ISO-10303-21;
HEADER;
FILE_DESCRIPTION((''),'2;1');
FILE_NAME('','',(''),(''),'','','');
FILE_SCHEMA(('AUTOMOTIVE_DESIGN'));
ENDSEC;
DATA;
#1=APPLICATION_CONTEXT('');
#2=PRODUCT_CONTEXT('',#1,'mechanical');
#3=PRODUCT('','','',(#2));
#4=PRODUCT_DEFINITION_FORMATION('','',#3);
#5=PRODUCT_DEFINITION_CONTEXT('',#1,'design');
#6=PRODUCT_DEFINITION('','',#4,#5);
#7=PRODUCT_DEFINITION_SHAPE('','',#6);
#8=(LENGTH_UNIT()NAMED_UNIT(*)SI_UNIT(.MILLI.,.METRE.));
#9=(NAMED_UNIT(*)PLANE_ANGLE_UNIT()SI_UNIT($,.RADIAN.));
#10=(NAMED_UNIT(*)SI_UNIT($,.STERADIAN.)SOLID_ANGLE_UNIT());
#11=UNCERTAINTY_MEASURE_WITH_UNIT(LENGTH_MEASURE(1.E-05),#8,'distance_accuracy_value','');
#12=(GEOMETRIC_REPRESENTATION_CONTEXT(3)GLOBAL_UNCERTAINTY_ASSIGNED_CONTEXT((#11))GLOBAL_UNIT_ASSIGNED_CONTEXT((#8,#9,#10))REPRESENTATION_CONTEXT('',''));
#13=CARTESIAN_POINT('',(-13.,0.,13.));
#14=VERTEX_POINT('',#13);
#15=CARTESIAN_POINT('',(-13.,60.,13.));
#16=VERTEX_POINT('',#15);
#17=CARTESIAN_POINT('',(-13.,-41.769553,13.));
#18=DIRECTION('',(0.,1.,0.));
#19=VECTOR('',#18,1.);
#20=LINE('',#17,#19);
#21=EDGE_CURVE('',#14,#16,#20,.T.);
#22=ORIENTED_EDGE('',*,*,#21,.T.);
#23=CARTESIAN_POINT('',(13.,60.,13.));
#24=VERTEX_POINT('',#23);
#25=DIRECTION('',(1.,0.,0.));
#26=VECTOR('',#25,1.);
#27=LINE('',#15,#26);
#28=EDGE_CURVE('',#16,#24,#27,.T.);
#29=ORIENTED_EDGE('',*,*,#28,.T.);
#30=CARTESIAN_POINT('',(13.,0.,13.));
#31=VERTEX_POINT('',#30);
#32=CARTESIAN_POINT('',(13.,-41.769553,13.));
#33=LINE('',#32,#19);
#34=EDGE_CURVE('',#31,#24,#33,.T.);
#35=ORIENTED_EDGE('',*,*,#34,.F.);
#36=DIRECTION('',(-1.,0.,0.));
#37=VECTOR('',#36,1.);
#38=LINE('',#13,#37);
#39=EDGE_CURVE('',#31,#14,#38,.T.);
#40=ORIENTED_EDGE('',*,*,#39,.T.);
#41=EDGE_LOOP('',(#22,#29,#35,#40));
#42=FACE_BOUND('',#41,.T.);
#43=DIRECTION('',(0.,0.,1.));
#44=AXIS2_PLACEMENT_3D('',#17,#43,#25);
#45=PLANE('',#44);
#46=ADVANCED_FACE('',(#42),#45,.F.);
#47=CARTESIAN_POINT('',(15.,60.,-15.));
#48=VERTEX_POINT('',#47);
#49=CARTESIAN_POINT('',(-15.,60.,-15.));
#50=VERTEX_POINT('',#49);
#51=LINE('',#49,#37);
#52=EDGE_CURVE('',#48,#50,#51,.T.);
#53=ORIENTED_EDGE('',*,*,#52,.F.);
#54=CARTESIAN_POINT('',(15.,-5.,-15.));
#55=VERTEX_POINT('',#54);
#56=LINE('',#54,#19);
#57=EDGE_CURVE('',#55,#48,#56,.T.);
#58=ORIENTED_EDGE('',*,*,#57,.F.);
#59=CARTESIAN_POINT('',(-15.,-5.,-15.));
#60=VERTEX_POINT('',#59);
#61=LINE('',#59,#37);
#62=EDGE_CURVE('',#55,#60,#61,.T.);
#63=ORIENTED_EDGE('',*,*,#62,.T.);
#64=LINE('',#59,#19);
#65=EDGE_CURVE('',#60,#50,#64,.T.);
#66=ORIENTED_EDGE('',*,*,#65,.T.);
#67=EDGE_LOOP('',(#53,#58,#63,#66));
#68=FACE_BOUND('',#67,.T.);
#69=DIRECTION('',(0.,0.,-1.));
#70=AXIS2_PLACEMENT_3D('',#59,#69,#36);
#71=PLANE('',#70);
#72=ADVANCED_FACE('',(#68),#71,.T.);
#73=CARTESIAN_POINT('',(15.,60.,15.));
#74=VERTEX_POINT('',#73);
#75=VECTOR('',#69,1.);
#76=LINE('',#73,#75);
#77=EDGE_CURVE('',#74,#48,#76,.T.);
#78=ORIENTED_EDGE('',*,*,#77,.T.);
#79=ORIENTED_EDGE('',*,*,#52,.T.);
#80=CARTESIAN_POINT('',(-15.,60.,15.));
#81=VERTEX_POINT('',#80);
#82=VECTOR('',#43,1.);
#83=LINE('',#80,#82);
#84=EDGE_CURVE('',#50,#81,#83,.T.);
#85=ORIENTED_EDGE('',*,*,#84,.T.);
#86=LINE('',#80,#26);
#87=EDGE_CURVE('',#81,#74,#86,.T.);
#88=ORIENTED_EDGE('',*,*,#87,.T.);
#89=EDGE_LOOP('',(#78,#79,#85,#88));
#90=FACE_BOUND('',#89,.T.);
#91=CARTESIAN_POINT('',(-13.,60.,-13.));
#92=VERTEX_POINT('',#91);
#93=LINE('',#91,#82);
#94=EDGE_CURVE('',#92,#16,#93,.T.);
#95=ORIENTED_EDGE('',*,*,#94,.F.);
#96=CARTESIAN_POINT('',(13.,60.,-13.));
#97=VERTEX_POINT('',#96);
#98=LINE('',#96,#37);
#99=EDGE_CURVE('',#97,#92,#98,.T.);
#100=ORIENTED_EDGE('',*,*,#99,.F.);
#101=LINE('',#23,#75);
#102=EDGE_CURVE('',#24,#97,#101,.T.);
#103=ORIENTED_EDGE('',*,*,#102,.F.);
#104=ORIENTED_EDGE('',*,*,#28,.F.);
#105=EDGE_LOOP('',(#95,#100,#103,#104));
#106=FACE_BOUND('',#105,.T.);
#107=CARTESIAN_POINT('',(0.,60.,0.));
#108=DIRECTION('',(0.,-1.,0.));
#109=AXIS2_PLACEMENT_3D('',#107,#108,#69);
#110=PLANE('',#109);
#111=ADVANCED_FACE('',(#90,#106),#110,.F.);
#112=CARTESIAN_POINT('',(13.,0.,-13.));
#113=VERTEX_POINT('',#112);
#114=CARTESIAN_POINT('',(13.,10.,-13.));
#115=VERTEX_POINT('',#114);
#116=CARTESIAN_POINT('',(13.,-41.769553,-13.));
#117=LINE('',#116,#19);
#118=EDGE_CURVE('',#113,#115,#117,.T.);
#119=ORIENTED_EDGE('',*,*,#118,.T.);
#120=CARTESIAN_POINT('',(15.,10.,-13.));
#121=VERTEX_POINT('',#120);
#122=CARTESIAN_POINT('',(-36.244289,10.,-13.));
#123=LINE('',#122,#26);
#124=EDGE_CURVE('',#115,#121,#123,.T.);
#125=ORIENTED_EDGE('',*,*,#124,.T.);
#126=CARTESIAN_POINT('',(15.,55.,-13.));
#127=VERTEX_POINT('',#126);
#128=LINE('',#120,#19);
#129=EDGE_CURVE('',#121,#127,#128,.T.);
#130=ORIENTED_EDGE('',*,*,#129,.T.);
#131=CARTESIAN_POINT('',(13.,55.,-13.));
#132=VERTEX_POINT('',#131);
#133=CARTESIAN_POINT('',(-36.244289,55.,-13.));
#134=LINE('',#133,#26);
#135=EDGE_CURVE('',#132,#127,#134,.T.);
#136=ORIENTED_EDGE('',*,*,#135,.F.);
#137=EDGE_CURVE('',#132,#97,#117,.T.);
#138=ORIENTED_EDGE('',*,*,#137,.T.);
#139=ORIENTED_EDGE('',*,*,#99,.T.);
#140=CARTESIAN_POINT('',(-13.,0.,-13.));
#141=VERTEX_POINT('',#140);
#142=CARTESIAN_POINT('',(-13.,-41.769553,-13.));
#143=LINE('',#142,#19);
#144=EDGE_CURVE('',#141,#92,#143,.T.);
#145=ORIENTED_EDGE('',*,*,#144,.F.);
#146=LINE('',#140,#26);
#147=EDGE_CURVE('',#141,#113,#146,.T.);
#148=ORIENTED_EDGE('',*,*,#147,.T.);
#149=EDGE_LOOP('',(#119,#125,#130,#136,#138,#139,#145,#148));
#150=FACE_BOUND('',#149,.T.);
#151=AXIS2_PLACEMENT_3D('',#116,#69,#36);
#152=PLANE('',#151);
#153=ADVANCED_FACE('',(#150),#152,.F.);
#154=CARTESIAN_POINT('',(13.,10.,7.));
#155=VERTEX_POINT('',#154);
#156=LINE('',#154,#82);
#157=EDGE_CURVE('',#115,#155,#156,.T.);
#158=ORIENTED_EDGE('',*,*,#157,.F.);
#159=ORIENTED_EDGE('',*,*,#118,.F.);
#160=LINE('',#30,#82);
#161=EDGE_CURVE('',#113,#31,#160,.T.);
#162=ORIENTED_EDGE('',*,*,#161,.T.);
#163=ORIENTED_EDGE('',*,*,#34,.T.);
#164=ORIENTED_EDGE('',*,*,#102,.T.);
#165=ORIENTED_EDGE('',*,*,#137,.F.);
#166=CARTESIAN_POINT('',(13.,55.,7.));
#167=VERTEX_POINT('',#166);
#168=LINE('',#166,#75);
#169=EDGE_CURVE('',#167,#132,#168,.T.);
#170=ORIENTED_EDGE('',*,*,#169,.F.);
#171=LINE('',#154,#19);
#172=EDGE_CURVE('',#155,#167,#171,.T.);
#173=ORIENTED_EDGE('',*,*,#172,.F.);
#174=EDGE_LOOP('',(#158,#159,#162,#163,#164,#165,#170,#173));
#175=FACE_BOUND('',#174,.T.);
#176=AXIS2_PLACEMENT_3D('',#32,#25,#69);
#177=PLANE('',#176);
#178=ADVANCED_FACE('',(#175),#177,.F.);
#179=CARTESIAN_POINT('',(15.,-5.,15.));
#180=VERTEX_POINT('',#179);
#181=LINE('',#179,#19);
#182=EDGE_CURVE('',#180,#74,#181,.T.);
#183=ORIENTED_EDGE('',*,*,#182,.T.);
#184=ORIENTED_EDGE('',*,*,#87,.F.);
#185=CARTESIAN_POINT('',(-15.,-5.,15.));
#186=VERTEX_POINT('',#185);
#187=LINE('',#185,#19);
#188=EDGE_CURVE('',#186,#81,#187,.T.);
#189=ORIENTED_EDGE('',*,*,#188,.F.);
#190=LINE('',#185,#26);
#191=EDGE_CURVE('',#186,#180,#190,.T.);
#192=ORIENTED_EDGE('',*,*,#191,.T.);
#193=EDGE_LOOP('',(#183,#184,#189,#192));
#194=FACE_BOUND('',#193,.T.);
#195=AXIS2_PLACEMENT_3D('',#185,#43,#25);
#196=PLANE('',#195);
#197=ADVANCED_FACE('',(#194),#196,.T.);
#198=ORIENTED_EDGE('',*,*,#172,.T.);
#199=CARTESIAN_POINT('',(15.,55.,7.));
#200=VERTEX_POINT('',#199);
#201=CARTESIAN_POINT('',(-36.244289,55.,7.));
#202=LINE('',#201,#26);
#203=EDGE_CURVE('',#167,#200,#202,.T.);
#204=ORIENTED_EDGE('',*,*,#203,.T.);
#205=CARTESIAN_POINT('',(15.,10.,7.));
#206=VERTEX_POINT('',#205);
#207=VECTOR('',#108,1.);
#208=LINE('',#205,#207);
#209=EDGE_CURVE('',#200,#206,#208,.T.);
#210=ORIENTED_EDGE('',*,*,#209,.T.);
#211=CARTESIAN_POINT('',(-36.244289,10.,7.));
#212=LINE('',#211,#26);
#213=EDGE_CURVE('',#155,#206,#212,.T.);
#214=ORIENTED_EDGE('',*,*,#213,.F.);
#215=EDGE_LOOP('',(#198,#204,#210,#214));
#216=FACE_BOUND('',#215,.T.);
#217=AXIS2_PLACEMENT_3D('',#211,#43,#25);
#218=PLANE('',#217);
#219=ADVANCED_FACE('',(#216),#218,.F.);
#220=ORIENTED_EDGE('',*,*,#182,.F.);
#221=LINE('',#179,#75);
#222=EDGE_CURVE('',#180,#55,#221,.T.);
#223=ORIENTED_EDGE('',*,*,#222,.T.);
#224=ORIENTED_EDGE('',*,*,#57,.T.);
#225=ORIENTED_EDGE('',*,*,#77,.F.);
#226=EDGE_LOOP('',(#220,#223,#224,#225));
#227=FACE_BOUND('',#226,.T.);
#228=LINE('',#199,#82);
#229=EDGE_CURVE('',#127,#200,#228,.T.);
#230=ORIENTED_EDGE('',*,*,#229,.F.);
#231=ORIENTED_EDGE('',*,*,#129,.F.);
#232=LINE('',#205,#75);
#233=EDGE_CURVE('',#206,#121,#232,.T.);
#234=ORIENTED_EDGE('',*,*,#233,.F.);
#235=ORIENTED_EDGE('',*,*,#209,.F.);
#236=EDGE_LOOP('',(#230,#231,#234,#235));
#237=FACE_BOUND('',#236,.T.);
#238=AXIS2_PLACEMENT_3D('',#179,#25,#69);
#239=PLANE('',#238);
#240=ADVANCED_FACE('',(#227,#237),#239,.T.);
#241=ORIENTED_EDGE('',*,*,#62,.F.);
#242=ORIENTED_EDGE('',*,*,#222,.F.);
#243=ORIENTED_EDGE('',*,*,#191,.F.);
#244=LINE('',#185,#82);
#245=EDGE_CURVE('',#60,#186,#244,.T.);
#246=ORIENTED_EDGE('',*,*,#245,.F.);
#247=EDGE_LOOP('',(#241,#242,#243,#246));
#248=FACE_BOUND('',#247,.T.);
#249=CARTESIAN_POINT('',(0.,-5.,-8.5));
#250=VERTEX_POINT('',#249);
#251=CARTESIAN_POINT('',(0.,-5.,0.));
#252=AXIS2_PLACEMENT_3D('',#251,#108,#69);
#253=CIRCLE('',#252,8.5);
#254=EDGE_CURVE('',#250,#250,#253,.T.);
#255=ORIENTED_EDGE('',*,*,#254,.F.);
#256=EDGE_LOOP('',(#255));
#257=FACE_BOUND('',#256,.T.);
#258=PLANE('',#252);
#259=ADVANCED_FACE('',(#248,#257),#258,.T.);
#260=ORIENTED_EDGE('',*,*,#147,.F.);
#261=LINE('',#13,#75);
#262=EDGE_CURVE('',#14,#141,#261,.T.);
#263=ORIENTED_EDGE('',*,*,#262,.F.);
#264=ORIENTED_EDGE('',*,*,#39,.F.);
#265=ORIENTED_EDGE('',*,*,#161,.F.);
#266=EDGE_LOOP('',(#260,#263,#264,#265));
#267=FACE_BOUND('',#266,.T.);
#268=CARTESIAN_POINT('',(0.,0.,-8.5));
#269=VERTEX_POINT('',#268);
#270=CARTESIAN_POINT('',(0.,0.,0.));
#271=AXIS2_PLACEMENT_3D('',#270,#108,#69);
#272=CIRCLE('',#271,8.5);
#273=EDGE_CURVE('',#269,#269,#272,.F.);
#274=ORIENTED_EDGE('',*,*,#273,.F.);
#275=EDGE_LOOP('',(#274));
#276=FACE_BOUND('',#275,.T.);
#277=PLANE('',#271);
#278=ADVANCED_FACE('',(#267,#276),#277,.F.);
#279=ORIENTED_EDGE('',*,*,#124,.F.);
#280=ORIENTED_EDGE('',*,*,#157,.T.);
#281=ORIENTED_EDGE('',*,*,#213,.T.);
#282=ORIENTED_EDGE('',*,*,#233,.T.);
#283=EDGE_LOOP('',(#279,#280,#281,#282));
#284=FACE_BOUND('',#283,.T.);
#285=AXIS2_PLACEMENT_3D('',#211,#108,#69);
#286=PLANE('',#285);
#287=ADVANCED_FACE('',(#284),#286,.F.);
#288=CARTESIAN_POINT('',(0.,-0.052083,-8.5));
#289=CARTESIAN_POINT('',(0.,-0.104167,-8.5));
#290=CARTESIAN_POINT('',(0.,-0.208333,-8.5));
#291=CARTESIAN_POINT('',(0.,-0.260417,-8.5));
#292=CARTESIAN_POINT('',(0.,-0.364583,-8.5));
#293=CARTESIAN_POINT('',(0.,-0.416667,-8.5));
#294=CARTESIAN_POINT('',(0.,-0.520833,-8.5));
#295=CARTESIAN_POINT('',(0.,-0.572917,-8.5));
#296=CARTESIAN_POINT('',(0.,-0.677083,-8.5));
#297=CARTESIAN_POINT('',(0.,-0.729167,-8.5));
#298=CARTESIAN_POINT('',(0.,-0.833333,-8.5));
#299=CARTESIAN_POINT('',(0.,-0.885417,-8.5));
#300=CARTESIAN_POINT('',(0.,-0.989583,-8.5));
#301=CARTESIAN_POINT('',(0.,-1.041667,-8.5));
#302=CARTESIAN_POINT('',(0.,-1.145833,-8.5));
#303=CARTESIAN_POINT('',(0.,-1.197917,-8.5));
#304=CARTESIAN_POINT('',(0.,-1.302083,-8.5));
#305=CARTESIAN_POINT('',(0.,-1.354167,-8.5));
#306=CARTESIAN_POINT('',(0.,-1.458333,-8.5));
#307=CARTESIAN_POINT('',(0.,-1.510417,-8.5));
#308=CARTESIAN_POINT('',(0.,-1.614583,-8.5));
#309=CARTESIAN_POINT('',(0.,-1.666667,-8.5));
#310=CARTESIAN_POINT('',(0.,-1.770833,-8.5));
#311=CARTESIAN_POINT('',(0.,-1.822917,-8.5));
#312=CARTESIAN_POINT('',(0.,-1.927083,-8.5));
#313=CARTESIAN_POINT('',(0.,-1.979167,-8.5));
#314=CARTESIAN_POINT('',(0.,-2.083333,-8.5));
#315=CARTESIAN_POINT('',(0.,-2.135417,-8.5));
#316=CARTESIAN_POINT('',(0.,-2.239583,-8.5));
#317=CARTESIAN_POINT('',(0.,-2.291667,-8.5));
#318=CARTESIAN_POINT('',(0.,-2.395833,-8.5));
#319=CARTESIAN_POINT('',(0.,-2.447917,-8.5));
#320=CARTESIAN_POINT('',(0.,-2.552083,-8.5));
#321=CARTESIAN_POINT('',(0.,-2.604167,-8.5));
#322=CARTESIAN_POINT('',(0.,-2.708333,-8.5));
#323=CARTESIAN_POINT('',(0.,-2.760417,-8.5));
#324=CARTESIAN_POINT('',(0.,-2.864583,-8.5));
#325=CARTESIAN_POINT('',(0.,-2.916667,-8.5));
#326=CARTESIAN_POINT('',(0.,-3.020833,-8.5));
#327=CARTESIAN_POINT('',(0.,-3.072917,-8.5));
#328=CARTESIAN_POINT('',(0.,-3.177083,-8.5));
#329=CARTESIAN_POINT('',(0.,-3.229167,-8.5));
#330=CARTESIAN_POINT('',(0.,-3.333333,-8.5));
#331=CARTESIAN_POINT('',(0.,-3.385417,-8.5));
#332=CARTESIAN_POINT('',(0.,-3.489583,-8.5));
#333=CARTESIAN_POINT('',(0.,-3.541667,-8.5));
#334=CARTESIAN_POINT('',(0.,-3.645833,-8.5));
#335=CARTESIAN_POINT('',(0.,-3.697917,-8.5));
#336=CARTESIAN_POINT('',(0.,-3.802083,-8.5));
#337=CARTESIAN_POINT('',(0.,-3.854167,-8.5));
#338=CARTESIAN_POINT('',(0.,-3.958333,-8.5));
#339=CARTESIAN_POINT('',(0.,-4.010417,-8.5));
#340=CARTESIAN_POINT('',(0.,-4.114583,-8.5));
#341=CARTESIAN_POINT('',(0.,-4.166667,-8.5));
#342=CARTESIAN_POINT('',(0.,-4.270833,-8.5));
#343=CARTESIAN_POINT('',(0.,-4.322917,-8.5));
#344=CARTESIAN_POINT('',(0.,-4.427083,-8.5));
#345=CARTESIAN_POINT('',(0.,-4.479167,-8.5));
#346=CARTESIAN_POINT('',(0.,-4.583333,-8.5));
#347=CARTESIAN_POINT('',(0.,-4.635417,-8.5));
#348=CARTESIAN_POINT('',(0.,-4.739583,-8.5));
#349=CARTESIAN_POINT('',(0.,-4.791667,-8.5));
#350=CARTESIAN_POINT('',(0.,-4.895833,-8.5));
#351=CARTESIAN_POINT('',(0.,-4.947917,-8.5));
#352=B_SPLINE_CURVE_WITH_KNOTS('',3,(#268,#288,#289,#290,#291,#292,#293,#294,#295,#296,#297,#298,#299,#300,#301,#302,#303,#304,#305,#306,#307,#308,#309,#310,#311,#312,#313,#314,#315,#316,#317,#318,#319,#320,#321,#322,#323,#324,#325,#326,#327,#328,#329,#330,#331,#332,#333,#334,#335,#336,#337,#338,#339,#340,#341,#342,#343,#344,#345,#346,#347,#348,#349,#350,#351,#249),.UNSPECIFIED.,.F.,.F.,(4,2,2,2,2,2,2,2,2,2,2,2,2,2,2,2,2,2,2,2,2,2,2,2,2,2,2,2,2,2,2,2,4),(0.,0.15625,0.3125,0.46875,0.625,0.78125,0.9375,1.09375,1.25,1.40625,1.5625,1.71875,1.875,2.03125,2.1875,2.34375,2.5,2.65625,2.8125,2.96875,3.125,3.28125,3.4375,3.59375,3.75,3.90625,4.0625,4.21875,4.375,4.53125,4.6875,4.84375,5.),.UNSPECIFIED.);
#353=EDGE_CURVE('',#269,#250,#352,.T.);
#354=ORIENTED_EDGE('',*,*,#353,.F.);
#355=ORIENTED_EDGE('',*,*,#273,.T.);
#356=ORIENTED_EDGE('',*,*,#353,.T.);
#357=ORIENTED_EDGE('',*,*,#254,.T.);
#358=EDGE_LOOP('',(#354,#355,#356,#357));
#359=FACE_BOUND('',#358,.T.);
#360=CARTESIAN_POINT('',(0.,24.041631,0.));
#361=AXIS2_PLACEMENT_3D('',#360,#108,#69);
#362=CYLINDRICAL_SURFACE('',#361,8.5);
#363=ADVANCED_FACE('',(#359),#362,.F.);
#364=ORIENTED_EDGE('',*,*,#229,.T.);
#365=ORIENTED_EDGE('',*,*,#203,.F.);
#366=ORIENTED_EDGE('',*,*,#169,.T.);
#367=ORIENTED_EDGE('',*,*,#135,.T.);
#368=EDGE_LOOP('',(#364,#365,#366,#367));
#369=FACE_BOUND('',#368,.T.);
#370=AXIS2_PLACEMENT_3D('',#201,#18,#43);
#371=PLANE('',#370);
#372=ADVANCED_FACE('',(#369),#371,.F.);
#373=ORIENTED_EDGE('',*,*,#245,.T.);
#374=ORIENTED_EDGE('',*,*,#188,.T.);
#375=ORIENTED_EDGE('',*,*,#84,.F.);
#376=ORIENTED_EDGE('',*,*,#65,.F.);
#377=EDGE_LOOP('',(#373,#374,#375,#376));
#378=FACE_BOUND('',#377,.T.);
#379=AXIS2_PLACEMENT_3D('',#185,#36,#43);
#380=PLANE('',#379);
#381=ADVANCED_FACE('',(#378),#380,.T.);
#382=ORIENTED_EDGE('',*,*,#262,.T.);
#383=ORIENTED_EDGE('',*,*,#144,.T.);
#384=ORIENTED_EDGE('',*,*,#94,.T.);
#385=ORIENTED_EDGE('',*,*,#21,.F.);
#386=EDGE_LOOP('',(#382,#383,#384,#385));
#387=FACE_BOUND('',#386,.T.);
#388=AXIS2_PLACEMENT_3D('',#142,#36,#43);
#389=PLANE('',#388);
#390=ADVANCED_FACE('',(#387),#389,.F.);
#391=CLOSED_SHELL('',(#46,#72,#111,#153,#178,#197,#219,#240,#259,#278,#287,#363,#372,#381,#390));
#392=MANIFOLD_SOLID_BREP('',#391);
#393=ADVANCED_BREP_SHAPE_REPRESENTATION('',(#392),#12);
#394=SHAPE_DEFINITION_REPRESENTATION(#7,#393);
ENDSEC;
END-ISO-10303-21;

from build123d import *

# Parameters (mm, degrees)
SALIENTE_EXTRUIR1_DEPTH      = 60
SALIENTE_EXTRUIR1_DEPTH_BACK = 5
CROQUIS1_W                   = 30
CROQUIS1_H                   = 30
CROQUIS2_W                   = 26
CROQUIS2_H                   = 26
CORTAR_EXTRUIR3_DEPTH        = 65
CROQUIS3_W                   = 20
CROQUIS3_H                   = 45
CORTAR_EXTRUIR4_DEPTH        = 2
CROQUIS4_W                   = 26
CROQUIS4_H                   = 26
SALIENTE_EXTRUIR2_DEPTH      = 5
CROQUIS5_R                   = 8.5
CORTAR_EXTRUIR5_DEPTH        = 5


with BuildPart() as part:
    # Croquis1 → Saliente-Extruir1 (new, two sides: drawn at the far end of the back side and taken through both)
    with BuildSketch(Plane(origin=(0, 0, 0), x_dir=(1, 0, 0), z_dir=(0, 1, 0)).offset(-SALIENTE_EXTRUIR1_DEPTH_BACK)):
        Rectangle(CROQUIS1_W, CROQUIS1_H)
    extrude(amount=SALIENTE_EXTRUIR1_DEPTH + SALIENTE_EXTRUIR1_DEPTH_BACK)

    # Croquis2 → Cortar-Extruir3 (cut)
    with BuildSketch(Plane(origin=(0, 60, 0), x_dir=(1, 0, 0), z_dir=(0, 1, 0))):
        Rectangle(CROQUIS2_W, CROQUIS2_H)
    extrude(amount=-CORTAR_EXTRUIR3_DEPTH, mode=Mode.SUBTRACT)

    # Croquis3 → Cortar-Extruir4 (cut)
    with BuildSketch(Plane(origin=(15, 0, 0), x_dir=(0, 0, -1), z_dir=(1, 0, 0))):
        with Locations((3, 32.5)):
            Rectangle(CROQUIS3_W, CROQUIS3_H)
    extrude(amount=-CORTAR_EXTRUIR4_DEPTH, mode=Mode.SUBTRACT)

    # Croquis4 → Saliente-Extruir2 (add)
    with BuildSketch(Plane.XZ.offset(5)):
        Rectangle(CROQUIS4_W, CROQUIS4_H)
    extrude(amount=-SALIENTE_EXTRUIR2_DEPTH)

    # Croquis5 → Cortar-Extruir5 (cut)
    with BuildSketch(Plane.XZ.offset(5)):
        with Locations(Location((0, 0, 0), (0, 0, 270))):
            Circle(CROQUIS5_R)
    extrude(amount=-CORTAR_EXTRUIR5_DEPTH, mode=Mode.SUBTRACT)


solid = part.part
